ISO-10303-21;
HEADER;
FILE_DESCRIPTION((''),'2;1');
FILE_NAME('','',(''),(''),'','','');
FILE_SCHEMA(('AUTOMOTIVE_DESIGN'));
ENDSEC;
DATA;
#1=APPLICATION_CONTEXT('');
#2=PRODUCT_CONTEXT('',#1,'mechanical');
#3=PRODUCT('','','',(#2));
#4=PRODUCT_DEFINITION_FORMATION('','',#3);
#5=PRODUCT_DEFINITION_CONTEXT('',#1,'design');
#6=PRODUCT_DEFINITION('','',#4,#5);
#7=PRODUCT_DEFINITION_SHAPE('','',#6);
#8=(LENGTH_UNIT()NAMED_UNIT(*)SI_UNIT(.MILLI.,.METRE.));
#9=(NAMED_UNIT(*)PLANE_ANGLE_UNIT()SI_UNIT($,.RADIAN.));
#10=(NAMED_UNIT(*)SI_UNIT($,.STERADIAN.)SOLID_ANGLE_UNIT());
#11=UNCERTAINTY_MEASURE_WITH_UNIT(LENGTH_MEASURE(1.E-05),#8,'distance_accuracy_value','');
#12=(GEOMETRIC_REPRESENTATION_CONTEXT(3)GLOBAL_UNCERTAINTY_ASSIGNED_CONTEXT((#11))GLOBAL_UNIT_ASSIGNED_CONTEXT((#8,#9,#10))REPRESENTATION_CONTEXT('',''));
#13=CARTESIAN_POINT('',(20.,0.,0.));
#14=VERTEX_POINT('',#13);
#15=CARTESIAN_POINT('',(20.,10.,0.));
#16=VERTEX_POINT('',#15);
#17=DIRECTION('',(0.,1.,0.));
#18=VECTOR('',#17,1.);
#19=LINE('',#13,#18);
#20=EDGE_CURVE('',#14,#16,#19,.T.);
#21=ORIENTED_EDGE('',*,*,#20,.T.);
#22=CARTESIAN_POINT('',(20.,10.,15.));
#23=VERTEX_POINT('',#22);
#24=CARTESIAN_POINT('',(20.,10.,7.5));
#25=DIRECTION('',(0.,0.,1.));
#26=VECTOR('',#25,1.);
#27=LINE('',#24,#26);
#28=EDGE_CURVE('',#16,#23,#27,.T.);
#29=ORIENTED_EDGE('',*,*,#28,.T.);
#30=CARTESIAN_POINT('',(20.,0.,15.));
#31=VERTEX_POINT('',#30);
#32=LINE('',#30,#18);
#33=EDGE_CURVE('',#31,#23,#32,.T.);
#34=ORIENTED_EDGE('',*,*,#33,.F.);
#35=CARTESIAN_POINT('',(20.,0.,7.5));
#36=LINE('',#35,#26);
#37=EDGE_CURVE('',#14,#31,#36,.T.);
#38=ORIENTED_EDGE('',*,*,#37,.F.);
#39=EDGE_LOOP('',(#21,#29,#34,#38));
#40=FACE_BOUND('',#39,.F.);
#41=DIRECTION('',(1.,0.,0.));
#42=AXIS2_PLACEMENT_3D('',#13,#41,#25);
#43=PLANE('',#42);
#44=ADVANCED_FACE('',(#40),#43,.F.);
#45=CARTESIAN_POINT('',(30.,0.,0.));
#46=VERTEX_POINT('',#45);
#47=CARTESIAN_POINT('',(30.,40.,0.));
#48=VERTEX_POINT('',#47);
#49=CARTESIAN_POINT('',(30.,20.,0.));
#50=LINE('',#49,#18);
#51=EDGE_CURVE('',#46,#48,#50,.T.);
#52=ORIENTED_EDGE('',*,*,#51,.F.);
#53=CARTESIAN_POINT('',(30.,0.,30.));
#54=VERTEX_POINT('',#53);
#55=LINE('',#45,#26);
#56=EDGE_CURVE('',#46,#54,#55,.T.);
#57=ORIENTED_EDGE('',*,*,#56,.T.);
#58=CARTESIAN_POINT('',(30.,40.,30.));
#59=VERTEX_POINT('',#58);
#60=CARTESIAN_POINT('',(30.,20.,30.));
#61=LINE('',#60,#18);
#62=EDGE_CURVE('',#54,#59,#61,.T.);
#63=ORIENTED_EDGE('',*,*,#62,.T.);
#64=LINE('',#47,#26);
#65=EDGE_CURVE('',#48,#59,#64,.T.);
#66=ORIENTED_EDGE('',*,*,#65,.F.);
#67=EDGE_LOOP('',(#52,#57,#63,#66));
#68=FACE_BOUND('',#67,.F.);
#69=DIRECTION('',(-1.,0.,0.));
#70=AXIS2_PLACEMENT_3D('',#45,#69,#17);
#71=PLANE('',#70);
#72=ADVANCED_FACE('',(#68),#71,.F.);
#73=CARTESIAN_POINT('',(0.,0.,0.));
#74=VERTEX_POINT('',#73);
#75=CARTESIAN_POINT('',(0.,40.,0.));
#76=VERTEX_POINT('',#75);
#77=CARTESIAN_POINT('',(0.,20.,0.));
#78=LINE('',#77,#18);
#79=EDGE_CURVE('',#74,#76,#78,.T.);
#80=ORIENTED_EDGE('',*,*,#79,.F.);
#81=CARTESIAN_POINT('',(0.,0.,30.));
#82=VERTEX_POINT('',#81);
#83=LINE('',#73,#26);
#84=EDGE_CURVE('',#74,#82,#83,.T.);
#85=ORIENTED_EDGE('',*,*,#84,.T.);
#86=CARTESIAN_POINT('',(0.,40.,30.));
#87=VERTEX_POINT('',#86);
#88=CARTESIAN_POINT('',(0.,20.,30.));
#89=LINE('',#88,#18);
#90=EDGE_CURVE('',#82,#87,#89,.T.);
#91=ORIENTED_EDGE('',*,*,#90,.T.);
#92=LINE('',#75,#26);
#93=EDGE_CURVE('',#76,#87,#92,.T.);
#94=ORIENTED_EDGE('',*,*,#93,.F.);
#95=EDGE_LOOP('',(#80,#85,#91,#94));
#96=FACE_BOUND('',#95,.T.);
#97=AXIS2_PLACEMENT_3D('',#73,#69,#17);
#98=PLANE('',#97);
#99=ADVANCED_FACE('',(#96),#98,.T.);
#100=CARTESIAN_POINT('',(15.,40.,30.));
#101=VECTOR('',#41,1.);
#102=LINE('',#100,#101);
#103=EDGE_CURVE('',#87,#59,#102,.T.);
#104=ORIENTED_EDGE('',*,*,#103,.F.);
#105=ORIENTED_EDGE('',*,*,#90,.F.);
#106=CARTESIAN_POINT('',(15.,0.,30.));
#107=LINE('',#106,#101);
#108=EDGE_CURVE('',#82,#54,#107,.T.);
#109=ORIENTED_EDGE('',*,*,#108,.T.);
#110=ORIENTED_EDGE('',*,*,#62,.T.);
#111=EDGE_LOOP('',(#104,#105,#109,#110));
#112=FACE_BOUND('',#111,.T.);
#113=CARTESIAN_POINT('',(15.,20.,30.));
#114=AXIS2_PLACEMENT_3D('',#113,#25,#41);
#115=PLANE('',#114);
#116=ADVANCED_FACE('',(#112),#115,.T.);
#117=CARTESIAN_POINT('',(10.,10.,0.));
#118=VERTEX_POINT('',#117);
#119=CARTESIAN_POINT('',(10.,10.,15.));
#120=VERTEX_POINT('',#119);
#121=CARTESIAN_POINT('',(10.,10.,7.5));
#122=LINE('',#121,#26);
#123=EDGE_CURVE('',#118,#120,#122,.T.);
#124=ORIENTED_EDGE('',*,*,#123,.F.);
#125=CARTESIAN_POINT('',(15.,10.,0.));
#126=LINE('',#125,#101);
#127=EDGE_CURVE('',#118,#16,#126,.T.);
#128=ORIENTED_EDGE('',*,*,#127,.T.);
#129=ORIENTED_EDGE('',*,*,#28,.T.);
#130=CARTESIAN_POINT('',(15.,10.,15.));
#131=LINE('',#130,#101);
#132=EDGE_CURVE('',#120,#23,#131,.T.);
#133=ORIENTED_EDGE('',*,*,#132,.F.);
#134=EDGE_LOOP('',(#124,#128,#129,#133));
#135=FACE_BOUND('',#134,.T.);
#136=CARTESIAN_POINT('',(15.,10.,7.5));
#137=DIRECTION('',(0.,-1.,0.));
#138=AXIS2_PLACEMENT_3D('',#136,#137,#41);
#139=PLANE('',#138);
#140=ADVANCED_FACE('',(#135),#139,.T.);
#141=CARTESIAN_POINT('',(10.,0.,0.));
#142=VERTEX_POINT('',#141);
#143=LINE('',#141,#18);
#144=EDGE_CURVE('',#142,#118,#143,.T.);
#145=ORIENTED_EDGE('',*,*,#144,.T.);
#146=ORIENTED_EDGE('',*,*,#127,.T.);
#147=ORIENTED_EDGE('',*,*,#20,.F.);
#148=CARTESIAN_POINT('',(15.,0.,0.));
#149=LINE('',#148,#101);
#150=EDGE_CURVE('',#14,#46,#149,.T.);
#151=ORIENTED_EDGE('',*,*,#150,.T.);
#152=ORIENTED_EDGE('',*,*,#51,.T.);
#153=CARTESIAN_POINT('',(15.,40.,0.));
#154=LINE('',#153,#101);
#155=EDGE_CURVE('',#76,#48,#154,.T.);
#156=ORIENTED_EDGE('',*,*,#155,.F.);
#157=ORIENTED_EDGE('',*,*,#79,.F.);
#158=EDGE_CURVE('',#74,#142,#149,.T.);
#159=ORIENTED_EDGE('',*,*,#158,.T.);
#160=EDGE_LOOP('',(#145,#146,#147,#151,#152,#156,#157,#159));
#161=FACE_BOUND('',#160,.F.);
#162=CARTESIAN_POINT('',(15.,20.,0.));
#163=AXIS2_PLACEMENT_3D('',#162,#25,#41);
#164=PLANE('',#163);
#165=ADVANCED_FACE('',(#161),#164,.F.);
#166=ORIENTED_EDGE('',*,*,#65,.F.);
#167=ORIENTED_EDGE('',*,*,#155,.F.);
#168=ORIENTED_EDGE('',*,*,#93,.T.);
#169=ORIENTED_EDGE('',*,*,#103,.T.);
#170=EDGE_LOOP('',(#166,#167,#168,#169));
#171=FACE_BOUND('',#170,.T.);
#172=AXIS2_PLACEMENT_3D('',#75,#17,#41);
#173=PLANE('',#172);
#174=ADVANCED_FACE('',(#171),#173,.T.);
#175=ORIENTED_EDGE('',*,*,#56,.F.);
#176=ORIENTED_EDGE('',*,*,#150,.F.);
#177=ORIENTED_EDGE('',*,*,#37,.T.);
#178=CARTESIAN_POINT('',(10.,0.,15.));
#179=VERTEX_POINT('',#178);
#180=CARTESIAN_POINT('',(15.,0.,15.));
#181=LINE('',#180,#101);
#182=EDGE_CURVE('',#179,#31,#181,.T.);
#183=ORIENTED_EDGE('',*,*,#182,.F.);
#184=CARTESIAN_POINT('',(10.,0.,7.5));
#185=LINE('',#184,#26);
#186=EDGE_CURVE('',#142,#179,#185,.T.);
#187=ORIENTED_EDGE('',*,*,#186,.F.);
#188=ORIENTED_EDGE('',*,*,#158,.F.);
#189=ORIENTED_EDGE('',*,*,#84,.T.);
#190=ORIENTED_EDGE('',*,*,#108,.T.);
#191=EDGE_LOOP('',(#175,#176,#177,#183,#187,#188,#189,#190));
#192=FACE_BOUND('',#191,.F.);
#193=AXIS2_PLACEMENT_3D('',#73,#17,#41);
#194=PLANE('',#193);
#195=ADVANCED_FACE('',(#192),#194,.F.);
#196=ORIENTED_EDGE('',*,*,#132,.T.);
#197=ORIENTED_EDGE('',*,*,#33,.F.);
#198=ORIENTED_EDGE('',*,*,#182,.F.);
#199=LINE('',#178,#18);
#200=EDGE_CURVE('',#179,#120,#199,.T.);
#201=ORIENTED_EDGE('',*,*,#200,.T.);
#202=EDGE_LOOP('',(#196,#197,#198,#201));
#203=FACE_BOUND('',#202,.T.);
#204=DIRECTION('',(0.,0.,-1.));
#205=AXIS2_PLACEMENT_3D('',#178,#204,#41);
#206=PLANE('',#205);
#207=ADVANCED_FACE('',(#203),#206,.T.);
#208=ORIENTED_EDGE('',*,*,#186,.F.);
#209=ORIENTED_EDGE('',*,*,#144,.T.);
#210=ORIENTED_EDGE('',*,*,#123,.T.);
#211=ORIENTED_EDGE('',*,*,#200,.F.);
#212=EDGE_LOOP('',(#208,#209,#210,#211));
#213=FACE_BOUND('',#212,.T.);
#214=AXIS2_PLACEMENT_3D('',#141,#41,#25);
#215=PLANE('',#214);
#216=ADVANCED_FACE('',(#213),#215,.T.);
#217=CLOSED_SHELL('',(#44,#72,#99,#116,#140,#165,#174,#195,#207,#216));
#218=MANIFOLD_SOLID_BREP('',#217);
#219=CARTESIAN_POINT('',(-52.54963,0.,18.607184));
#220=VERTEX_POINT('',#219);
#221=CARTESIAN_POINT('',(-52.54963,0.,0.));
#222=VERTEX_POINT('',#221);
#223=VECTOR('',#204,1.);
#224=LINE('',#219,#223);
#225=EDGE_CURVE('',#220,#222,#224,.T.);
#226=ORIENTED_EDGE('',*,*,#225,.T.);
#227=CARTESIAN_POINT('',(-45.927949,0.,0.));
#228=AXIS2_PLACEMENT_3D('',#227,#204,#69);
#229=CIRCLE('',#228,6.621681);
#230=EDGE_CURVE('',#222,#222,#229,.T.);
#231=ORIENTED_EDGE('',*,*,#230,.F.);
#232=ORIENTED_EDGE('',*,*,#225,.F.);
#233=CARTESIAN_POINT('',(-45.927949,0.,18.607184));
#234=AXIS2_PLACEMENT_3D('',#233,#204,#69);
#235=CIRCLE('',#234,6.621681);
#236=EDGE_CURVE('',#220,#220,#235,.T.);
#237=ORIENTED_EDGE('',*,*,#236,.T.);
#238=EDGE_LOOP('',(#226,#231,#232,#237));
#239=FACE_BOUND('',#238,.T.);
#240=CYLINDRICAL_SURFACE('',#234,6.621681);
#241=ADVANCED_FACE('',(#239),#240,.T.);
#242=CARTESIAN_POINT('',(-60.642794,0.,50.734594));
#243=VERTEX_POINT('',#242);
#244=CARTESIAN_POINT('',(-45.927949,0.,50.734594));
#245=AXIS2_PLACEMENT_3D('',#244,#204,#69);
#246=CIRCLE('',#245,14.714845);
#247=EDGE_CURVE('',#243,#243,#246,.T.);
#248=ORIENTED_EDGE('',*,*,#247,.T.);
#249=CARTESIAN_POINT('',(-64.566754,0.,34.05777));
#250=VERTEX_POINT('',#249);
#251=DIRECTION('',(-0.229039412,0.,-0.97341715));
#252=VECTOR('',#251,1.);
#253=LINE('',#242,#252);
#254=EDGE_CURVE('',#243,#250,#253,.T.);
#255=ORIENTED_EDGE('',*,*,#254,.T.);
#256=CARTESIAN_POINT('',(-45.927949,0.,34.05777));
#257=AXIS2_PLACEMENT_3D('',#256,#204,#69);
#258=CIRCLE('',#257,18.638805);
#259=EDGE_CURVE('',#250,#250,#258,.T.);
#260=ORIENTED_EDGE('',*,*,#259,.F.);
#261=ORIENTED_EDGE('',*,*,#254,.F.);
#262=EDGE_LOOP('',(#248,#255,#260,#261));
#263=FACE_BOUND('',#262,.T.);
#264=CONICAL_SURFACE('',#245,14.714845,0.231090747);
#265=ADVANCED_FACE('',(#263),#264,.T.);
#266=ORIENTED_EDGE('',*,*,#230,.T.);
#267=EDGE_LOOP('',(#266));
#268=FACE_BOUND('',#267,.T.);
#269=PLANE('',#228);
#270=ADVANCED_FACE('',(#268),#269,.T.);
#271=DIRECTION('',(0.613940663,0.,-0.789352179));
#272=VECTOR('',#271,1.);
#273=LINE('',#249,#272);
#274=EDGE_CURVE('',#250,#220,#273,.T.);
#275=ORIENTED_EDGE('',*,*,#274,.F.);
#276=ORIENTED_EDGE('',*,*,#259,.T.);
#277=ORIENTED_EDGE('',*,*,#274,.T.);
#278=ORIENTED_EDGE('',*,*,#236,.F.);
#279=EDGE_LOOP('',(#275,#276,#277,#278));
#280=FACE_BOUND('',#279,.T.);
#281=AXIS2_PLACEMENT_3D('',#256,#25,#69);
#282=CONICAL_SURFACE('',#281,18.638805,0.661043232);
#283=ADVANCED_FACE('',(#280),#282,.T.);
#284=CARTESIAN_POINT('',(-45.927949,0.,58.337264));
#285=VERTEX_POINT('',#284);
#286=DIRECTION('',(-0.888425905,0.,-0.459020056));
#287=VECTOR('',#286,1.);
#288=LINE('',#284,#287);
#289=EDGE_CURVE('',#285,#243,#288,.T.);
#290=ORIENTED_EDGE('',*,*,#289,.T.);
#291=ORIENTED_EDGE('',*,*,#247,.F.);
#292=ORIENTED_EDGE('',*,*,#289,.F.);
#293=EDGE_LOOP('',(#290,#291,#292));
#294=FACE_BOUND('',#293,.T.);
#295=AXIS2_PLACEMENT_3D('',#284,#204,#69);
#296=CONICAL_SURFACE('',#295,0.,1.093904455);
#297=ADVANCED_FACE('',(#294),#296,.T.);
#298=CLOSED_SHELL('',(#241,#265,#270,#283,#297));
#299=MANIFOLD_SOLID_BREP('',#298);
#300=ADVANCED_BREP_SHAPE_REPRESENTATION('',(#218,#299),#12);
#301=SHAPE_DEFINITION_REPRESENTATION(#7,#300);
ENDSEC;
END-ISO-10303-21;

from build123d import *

# Parameters (mm, degrees)
F0_W     = 30
F0_H     = 40
F1_DEPTH = 30
F2_W     = 10
F2_H     = 15
F3_DEPTH = 10


with BuildPart() as f1:
    # F0 (on Top) → F1 (new body)
    with BuildSketch(Plane.XY):
        with Locations((15, 20)):
            Rectangle(F0_W, F0_H)
    extrude(amount=F1_DEPTH)

    # F2 (on face) → F3 (cut)
    with BuildSketch(Plane.XZ):
        with Locations((15, 7.5)):
            Rectangle(F2_W, F2_H)
    extrude(amount=-F3_DEPTH, mode=Mode.SUBTRACT)


with BuildPart() as f5:
    # F4 (on Front) → F5 (revolve)
    with BuildSketch(Plane.XZ):
        Polygon((-64.566754, 34.05777), (-52.54963, 18.607184), (-52.54963, 0), (-45.927949, 0), (-45.927949, 58.337264), (-60.642794, 50.734594), align=None)
    revolve(axis=Axis((-45.927949, 0, 29.168632), (0, 0, -1)))


solid = Compound([f1.part, f5.part])
